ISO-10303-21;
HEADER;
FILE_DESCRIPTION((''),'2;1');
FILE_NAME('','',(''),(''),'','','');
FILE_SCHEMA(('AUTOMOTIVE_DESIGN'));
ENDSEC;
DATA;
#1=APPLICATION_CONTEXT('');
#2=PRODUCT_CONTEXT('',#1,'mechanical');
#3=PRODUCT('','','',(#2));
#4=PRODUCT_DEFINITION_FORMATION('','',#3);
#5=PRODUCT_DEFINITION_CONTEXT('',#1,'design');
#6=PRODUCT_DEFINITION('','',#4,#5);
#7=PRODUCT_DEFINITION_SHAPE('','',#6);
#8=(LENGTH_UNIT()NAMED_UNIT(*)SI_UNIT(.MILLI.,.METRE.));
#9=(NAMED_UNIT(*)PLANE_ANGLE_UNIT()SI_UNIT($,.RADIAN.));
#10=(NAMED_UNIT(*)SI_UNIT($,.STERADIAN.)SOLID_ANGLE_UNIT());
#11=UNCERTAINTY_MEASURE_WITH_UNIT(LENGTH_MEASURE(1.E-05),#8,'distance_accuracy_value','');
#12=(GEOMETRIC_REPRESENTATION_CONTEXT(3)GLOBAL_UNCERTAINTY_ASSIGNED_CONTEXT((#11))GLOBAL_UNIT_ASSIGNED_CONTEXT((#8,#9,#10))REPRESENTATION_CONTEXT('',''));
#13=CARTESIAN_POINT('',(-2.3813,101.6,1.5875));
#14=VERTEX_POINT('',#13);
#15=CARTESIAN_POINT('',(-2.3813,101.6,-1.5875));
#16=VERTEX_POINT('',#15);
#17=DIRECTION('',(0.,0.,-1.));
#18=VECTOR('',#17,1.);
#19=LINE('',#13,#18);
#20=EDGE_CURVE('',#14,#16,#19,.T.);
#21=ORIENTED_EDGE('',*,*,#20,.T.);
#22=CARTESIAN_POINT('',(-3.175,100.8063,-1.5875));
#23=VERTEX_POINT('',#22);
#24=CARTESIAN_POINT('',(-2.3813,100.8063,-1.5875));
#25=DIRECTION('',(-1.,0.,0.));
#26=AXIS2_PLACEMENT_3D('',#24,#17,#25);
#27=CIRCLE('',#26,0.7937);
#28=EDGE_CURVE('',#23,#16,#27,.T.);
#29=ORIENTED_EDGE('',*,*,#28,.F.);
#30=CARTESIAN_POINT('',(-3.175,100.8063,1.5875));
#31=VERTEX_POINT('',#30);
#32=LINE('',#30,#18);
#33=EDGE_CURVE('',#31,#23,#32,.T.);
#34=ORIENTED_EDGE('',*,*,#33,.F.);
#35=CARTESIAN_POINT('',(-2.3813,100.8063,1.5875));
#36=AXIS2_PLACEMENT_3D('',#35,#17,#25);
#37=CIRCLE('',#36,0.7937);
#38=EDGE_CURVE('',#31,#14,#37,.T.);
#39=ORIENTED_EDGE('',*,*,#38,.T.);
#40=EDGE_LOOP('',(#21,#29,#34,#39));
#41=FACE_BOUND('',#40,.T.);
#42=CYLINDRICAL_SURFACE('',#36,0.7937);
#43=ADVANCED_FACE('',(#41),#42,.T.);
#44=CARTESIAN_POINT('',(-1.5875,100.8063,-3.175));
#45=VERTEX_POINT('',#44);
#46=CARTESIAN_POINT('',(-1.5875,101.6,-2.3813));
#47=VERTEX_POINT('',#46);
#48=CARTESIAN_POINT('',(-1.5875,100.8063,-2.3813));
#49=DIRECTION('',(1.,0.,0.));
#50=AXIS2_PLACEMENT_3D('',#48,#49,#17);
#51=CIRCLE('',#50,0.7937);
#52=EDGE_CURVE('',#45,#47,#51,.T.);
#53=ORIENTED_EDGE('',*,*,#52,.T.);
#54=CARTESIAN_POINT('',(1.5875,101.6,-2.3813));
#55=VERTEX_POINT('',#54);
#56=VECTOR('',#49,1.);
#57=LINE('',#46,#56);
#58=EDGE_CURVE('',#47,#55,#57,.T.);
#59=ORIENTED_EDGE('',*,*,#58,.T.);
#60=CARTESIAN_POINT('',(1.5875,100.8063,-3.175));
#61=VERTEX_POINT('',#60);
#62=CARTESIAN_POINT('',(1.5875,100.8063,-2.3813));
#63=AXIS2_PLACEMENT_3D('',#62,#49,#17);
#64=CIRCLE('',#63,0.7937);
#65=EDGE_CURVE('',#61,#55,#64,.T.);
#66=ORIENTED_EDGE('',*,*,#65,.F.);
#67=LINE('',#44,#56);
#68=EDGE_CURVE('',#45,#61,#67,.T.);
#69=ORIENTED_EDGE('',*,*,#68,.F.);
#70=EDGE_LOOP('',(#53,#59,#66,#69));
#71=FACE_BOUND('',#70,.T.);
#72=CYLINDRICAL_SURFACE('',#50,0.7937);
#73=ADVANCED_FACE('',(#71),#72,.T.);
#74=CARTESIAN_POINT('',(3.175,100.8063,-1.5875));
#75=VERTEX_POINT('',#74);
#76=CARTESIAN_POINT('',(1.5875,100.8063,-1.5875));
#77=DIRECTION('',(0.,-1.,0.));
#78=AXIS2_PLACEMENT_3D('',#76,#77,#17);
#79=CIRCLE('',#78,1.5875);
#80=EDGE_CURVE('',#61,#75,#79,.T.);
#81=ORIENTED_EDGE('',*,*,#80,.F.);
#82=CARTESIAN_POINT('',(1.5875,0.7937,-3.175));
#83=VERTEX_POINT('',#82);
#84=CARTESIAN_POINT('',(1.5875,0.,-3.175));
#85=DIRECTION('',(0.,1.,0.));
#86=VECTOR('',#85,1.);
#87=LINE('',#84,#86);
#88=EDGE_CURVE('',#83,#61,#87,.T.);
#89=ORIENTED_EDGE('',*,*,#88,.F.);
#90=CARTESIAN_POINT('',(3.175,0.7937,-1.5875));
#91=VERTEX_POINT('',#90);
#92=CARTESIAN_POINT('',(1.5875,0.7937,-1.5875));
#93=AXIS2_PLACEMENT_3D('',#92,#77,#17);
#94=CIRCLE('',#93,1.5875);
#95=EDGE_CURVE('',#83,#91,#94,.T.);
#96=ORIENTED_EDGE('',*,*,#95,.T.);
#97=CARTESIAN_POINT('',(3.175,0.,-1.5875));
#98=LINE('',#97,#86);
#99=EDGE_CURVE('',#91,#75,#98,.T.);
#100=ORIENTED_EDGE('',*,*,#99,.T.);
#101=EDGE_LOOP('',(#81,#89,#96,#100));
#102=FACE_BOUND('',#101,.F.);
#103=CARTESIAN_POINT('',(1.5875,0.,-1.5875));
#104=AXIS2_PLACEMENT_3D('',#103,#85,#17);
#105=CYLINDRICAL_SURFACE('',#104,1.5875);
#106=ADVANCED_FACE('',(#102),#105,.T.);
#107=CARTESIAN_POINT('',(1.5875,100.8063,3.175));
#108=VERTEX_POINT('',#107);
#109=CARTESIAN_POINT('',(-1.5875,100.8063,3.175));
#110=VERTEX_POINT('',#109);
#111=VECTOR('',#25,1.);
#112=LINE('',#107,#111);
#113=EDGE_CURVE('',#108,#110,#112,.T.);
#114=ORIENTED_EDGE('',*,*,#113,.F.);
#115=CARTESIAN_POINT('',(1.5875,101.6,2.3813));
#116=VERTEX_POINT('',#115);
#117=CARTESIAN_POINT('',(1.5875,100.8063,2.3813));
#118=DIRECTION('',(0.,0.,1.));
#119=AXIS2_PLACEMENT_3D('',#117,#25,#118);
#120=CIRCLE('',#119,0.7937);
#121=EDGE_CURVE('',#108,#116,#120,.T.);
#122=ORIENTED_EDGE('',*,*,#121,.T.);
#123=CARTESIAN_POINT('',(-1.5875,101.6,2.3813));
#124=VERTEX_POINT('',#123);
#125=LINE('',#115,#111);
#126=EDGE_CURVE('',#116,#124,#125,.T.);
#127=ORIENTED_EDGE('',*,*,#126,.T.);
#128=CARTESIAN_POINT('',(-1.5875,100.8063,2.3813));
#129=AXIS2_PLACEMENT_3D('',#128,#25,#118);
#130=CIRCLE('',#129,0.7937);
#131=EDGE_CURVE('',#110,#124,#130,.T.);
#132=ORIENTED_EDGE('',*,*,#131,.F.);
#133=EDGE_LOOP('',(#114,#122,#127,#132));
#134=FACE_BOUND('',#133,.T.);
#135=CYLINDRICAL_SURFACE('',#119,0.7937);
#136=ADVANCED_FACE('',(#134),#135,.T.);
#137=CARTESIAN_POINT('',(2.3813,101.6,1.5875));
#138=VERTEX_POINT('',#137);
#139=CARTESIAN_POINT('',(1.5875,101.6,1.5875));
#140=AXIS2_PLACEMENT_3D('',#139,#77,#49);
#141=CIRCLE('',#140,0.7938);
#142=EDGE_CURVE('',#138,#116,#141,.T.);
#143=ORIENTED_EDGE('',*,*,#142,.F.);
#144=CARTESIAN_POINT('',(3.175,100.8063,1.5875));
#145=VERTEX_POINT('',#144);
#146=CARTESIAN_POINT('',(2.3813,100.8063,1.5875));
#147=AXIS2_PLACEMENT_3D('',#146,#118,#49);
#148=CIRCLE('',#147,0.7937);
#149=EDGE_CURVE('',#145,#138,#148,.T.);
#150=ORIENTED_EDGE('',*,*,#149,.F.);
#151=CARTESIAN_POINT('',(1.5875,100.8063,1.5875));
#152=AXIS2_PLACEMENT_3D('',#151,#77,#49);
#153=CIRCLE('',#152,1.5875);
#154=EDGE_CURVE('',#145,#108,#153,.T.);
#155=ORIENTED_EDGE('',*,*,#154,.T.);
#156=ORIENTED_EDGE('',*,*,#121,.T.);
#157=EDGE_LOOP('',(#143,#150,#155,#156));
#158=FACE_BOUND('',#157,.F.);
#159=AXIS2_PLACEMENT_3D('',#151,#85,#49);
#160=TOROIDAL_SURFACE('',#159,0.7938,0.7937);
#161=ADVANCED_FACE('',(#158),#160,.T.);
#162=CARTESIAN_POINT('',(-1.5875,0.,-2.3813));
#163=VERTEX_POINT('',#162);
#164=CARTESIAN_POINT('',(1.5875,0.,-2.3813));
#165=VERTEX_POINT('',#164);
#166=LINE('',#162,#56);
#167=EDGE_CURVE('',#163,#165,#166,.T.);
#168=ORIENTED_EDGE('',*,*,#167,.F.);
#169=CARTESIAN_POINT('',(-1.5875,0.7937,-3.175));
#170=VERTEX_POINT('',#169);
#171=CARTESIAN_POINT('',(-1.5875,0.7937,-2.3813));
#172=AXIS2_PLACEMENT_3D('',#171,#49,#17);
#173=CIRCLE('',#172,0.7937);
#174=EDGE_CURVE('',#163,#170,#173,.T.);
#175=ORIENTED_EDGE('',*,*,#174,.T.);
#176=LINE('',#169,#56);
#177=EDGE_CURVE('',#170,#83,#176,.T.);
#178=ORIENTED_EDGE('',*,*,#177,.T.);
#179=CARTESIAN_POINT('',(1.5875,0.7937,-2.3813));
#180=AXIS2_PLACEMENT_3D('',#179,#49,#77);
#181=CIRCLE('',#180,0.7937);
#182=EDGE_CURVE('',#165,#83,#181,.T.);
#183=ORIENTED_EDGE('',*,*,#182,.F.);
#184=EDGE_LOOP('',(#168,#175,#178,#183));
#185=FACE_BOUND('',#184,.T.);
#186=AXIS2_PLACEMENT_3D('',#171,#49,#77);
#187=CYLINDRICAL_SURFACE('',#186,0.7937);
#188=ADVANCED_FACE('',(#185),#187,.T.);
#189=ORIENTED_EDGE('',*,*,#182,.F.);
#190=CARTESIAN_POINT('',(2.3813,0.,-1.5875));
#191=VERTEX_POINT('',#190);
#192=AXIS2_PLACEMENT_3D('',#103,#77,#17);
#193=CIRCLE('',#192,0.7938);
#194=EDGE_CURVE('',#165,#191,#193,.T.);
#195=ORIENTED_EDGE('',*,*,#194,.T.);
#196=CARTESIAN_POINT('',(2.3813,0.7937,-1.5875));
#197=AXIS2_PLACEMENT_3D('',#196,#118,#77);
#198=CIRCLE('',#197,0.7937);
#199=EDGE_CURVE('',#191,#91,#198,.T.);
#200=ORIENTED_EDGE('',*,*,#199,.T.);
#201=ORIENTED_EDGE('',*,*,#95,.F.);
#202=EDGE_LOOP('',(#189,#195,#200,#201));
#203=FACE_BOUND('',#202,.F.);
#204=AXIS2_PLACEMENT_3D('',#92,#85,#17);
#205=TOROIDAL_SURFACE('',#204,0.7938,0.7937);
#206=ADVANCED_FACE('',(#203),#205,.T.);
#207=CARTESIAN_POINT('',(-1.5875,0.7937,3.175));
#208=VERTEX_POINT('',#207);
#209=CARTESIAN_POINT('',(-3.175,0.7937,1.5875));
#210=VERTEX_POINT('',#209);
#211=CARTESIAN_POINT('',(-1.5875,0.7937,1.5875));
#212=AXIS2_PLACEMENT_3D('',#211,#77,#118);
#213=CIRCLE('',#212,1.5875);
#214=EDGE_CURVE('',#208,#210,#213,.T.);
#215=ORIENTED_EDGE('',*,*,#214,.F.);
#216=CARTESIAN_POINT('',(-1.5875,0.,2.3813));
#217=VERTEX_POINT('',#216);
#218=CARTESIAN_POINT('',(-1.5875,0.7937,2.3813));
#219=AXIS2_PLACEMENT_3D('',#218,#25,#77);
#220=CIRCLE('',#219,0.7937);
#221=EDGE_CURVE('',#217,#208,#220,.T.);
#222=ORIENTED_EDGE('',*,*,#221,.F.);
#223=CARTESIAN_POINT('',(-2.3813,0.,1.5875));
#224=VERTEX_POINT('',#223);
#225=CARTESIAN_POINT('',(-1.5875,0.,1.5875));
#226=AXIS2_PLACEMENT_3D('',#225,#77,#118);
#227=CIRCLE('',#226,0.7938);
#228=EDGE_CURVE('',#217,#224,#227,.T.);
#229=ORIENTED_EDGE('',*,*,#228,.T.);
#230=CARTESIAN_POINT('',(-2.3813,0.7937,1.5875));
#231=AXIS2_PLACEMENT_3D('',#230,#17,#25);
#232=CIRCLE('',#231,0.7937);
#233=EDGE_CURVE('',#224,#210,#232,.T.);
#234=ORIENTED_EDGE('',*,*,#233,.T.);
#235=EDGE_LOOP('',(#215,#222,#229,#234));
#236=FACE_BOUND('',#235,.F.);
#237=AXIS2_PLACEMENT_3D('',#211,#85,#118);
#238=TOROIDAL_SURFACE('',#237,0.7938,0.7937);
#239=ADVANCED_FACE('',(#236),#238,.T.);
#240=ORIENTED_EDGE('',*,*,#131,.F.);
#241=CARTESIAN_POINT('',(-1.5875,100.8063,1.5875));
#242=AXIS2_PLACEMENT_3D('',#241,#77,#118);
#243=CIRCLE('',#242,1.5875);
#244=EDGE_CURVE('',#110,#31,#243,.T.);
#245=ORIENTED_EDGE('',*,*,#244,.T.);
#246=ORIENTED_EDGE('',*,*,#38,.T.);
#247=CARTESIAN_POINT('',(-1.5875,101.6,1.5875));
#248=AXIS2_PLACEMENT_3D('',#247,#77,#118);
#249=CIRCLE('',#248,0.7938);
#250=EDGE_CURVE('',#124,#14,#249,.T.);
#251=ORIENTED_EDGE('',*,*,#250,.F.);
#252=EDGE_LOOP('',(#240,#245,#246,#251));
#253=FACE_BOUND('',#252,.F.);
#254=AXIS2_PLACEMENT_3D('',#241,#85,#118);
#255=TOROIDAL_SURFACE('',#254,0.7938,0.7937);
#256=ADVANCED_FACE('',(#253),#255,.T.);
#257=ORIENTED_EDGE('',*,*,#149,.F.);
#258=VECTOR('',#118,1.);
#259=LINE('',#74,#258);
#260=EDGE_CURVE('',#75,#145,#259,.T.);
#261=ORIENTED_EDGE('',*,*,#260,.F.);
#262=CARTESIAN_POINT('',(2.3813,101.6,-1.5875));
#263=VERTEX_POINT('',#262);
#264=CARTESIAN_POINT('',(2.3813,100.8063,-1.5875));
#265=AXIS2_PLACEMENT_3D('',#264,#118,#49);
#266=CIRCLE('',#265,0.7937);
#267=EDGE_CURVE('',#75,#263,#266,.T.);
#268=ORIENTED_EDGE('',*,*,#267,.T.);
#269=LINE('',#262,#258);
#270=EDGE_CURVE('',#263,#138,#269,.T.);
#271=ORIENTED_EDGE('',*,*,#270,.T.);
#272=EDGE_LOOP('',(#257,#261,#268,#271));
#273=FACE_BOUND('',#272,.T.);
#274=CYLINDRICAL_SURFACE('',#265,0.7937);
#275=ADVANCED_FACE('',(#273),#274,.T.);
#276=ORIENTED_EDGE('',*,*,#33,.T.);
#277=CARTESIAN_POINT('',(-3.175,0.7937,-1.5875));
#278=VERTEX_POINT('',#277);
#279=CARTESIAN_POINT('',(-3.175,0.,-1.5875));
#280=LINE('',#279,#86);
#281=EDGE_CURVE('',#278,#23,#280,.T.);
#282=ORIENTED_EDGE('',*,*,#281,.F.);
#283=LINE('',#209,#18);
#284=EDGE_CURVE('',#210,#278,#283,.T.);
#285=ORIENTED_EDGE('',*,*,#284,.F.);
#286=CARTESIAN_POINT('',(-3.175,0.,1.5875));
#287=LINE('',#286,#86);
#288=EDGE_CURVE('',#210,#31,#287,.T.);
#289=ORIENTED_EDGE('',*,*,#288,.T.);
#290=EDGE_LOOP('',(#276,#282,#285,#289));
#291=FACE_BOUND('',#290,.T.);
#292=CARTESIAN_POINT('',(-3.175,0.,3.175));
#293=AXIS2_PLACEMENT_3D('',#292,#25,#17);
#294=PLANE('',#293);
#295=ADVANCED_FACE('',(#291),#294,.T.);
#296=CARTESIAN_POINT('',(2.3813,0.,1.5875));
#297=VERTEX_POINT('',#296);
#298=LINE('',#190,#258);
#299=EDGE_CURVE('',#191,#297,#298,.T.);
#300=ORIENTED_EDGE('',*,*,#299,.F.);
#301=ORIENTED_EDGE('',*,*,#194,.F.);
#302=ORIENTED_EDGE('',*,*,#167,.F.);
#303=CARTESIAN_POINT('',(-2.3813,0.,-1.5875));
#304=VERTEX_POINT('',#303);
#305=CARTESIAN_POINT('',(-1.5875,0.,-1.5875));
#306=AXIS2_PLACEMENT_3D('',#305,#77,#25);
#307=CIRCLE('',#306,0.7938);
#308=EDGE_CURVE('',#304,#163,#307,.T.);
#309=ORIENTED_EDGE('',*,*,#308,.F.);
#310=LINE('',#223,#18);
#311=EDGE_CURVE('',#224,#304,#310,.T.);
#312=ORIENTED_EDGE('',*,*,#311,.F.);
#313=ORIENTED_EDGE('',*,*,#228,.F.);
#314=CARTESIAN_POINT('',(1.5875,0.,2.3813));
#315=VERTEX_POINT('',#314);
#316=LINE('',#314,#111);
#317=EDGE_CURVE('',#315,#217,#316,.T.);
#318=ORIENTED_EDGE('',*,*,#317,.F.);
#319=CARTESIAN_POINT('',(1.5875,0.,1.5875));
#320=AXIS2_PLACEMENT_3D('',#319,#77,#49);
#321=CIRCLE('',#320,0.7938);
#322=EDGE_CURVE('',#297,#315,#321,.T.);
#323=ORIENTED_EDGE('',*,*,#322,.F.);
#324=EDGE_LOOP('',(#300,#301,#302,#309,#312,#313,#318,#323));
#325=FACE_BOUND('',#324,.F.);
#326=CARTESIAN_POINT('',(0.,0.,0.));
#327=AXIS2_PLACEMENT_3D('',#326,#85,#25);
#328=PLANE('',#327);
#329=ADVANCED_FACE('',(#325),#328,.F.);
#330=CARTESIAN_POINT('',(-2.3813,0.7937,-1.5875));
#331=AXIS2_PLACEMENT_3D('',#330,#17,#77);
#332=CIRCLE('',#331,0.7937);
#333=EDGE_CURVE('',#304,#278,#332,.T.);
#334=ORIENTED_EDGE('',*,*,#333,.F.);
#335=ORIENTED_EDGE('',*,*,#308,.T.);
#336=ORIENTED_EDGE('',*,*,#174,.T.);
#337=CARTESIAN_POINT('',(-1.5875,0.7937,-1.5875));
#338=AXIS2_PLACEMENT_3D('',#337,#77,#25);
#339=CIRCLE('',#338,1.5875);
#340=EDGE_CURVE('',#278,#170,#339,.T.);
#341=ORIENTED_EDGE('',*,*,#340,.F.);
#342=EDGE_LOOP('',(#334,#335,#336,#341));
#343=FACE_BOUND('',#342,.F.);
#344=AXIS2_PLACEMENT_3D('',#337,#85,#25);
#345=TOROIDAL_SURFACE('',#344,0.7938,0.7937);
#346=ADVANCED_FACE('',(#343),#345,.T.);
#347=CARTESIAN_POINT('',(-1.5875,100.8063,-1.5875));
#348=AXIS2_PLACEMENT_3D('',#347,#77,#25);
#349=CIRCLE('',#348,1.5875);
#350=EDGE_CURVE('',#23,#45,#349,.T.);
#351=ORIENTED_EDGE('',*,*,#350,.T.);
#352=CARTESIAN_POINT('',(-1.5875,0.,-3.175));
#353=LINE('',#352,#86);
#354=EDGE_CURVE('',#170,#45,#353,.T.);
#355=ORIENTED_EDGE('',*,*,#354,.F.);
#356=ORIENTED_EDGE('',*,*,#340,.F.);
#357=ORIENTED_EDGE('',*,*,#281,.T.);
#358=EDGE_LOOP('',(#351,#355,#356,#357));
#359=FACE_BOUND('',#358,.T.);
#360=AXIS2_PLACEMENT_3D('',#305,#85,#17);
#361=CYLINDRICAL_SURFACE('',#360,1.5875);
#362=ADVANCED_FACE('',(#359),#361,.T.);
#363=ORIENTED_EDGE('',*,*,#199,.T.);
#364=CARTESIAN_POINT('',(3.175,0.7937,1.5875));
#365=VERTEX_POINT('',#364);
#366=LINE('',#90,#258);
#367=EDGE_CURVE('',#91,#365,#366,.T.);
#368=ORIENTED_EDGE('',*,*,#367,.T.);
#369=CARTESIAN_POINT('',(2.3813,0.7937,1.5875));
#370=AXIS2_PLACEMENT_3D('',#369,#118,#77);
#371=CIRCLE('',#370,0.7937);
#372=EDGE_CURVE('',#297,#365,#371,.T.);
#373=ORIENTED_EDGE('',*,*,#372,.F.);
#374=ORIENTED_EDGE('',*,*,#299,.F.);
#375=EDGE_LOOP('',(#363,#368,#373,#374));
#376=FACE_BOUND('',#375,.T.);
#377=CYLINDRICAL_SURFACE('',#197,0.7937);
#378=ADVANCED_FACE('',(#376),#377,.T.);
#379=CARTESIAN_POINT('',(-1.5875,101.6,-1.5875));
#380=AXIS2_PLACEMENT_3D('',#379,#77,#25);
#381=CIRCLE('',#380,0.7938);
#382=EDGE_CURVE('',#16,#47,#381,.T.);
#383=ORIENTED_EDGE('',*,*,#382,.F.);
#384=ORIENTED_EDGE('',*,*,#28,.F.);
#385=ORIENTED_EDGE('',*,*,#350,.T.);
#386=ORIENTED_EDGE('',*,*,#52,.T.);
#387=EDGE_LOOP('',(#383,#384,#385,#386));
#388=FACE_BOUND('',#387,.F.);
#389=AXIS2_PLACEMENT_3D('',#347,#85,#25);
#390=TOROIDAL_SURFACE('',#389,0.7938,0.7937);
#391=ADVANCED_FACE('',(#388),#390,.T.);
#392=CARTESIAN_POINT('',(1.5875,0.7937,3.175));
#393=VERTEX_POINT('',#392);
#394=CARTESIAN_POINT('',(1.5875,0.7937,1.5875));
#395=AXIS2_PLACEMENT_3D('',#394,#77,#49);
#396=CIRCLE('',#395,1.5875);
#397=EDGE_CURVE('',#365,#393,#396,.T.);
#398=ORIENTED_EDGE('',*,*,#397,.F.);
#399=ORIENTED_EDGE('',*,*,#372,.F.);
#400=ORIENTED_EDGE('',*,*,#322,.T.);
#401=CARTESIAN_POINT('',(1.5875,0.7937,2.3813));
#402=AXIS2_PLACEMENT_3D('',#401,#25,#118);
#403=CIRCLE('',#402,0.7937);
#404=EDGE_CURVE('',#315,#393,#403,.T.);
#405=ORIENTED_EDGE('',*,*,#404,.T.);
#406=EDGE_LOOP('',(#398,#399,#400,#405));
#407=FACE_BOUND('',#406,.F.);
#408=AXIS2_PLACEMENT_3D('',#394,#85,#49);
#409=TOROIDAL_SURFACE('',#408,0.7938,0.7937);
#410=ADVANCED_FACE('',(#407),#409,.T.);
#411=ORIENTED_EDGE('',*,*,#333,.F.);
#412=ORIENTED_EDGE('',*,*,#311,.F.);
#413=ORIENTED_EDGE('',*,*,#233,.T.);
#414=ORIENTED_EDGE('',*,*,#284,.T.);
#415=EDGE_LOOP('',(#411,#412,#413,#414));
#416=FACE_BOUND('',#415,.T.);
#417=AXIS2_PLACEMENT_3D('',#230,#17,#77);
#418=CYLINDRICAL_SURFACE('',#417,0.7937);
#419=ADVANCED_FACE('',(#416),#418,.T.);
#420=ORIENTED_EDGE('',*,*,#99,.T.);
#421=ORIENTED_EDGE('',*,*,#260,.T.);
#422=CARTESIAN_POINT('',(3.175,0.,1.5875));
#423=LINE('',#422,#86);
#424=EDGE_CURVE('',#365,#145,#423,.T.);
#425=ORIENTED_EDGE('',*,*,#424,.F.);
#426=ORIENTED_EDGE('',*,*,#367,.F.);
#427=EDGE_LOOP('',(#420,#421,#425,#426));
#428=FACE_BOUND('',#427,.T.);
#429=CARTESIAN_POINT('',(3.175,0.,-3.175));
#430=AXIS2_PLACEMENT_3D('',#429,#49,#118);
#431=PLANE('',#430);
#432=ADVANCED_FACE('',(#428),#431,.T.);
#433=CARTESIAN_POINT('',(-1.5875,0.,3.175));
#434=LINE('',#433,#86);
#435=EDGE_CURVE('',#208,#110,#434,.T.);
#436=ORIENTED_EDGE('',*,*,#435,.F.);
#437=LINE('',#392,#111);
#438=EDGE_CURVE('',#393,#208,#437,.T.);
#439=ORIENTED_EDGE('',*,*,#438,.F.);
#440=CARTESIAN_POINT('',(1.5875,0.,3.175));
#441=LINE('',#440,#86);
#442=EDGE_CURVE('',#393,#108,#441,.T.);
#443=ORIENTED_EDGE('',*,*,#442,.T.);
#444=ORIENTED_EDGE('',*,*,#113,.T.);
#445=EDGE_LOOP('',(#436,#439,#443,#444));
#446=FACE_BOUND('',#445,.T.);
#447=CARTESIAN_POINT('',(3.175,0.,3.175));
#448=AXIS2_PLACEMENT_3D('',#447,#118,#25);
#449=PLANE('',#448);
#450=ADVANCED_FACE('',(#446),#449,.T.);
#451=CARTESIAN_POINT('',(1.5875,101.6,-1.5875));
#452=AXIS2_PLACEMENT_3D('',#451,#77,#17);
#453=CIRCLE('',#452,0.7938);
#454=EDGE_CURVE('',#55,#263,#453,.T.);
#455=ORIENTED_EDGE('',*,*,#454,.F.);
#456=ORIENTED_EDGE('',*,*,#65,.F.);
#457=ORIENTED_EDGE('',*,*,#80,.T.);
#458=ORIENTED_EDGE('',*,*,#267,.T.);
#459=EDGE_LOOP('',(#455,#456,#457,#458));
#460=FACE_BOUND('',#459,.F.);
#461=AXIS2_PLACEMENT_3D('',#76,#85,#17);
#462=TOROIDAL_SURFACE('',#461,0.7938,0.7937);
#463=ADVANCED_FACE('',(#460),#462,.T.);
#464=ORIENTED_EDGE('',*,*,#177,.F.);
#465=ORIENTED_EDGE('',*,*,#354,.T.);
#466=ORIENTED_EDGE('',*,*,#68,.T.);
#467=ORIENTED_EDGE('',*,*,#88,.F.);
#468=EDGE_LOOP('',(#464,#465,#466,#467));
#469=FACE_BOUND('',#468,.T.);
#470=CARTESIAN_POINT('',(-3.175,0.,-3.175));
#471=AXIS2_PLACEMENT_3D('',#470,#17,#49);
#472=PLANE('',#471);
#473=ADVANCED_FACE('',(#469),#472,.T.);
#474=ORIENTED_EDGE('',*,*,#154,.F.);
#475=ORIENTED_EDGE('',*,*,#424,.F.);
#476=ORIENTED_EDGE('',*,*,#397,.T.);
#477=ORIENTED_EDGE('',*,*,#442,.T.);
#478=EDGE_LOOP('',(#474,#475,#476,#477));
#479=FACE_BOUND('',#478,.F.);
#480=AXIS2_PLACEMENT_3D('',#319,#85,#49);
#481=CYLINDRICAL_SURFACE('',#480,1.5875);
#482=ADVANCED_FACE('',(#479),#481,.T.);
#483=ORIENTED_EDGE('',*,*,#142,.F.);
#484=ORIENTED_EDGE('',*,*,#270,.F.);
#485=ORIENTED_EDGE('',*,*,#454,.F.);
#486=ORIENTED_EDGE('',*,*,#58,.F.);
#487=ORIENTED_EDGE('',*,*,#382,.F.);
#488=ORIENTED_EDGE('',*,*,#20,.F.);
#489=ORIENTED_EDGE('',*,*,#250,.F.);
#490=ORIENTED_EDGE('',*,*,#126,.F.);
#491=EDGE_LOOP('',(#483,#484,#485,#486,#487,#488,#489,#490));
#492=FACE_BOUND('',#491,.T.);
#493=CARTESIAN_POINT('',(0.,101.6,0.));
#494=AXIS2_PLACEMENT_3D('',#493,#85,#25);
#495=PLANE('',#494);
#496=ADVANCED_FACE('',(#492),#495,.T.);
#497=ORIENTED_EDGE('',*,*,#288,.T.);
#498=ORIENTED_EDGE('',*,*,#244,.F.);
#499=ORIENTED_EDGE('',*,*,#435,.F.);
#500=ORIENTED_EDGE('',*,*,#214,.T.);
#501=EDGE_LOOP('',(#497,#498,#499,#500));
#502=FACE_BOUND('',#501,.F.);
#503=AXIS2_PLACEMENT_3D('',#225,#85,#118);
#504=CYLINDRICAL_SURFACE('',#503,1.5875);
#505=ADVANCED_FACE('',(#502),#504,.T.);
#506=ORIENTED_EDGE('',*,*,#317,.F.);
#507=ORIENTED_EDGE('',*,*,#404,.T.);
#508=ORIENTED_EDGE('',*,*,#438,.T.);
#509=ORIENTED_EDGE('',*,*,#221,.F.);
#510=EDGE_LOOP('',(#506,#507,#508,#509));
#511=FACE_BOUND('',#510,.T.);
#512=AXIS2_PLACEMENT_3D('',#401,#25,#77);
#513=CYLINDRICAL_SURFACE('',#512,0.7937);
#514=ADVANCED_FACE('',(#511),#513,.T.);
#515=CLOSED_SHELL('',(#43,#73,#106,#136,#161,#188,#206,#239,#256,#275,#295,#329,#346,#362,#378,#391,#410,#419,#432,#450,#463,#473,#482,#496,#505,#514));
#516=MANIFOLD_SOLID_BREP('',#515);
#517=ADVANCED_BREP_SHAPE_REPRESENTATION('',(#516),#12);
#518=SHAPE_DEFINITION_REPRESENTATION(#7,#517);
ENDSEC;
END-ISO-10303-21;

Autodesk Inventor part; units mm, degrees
ref_plane "YZ Plane" through (0, 0, 0) normal (1, 0, 0) x (0, 1, 0)
ref_plane "XZ Plane" through (0, 0, 0) normal (0, 1, 0) x (-1, 0, 0)
ref_plane "XY Plane" through (0, 0, 0) normal (0, 0, 1) x (1, 0, 0)
sketch "Sketch1" plane through (0, 0, 0) normal (0, 1, 0) x (-1, 0, 0)
  line L0 (3.175, -3.175) -> (-3.175, -3.175)
  line L1 (-3.175, -3.175) -> (-3.175, 3.175)
  line L2 (-3.175, 3.175) -> (3.175, 3.175)
  line L3 (3.175, 3.175) -> (3.175, -3.175)
  line L4 (3.175, -3.175) -> (-3.175, 3.175) construction
  line L5 (-3.175, -3.175) -> (3.175, 3.175) construction
  point P0 (0, 0)
  dimension "d0" = 6.35
  dimension "d1" = 6.35
extrude "Extrusion1" add sketch "Sketch1" along normal blind 101.6
fillet "Fillet1" radius 1.5875 4 edges at (3.175, 50.8, -3.175) (3.175, 50.8, 3.175) (-3.175, 50.8, -3.175) (-3.175, 50.8, 3.175)
fillet "Fillet2" radius 0.7937 16 edges at (3.175, 0, 0) (2.71, 0, -2.71) (0, 0, -3.175) (-2.71, 0, -2.71) (-3.175, 0, 0) (-2.71, 0, 2.71) (0, 0, 3.175) (2.71, 0, 2.71) (2.71, 101.6, -2.71) (0, 101.6, -3.175) (-2.71, 101.6, -2.71) (-3.175, 101.6, 0) (-2.71, 101.6, 2.71) (0, 101.6, 3.175) (2.71, 101.6, 2.71) (3.175, 101.6, 0)
properties part number "4 inch" material "Stainless Steel"
